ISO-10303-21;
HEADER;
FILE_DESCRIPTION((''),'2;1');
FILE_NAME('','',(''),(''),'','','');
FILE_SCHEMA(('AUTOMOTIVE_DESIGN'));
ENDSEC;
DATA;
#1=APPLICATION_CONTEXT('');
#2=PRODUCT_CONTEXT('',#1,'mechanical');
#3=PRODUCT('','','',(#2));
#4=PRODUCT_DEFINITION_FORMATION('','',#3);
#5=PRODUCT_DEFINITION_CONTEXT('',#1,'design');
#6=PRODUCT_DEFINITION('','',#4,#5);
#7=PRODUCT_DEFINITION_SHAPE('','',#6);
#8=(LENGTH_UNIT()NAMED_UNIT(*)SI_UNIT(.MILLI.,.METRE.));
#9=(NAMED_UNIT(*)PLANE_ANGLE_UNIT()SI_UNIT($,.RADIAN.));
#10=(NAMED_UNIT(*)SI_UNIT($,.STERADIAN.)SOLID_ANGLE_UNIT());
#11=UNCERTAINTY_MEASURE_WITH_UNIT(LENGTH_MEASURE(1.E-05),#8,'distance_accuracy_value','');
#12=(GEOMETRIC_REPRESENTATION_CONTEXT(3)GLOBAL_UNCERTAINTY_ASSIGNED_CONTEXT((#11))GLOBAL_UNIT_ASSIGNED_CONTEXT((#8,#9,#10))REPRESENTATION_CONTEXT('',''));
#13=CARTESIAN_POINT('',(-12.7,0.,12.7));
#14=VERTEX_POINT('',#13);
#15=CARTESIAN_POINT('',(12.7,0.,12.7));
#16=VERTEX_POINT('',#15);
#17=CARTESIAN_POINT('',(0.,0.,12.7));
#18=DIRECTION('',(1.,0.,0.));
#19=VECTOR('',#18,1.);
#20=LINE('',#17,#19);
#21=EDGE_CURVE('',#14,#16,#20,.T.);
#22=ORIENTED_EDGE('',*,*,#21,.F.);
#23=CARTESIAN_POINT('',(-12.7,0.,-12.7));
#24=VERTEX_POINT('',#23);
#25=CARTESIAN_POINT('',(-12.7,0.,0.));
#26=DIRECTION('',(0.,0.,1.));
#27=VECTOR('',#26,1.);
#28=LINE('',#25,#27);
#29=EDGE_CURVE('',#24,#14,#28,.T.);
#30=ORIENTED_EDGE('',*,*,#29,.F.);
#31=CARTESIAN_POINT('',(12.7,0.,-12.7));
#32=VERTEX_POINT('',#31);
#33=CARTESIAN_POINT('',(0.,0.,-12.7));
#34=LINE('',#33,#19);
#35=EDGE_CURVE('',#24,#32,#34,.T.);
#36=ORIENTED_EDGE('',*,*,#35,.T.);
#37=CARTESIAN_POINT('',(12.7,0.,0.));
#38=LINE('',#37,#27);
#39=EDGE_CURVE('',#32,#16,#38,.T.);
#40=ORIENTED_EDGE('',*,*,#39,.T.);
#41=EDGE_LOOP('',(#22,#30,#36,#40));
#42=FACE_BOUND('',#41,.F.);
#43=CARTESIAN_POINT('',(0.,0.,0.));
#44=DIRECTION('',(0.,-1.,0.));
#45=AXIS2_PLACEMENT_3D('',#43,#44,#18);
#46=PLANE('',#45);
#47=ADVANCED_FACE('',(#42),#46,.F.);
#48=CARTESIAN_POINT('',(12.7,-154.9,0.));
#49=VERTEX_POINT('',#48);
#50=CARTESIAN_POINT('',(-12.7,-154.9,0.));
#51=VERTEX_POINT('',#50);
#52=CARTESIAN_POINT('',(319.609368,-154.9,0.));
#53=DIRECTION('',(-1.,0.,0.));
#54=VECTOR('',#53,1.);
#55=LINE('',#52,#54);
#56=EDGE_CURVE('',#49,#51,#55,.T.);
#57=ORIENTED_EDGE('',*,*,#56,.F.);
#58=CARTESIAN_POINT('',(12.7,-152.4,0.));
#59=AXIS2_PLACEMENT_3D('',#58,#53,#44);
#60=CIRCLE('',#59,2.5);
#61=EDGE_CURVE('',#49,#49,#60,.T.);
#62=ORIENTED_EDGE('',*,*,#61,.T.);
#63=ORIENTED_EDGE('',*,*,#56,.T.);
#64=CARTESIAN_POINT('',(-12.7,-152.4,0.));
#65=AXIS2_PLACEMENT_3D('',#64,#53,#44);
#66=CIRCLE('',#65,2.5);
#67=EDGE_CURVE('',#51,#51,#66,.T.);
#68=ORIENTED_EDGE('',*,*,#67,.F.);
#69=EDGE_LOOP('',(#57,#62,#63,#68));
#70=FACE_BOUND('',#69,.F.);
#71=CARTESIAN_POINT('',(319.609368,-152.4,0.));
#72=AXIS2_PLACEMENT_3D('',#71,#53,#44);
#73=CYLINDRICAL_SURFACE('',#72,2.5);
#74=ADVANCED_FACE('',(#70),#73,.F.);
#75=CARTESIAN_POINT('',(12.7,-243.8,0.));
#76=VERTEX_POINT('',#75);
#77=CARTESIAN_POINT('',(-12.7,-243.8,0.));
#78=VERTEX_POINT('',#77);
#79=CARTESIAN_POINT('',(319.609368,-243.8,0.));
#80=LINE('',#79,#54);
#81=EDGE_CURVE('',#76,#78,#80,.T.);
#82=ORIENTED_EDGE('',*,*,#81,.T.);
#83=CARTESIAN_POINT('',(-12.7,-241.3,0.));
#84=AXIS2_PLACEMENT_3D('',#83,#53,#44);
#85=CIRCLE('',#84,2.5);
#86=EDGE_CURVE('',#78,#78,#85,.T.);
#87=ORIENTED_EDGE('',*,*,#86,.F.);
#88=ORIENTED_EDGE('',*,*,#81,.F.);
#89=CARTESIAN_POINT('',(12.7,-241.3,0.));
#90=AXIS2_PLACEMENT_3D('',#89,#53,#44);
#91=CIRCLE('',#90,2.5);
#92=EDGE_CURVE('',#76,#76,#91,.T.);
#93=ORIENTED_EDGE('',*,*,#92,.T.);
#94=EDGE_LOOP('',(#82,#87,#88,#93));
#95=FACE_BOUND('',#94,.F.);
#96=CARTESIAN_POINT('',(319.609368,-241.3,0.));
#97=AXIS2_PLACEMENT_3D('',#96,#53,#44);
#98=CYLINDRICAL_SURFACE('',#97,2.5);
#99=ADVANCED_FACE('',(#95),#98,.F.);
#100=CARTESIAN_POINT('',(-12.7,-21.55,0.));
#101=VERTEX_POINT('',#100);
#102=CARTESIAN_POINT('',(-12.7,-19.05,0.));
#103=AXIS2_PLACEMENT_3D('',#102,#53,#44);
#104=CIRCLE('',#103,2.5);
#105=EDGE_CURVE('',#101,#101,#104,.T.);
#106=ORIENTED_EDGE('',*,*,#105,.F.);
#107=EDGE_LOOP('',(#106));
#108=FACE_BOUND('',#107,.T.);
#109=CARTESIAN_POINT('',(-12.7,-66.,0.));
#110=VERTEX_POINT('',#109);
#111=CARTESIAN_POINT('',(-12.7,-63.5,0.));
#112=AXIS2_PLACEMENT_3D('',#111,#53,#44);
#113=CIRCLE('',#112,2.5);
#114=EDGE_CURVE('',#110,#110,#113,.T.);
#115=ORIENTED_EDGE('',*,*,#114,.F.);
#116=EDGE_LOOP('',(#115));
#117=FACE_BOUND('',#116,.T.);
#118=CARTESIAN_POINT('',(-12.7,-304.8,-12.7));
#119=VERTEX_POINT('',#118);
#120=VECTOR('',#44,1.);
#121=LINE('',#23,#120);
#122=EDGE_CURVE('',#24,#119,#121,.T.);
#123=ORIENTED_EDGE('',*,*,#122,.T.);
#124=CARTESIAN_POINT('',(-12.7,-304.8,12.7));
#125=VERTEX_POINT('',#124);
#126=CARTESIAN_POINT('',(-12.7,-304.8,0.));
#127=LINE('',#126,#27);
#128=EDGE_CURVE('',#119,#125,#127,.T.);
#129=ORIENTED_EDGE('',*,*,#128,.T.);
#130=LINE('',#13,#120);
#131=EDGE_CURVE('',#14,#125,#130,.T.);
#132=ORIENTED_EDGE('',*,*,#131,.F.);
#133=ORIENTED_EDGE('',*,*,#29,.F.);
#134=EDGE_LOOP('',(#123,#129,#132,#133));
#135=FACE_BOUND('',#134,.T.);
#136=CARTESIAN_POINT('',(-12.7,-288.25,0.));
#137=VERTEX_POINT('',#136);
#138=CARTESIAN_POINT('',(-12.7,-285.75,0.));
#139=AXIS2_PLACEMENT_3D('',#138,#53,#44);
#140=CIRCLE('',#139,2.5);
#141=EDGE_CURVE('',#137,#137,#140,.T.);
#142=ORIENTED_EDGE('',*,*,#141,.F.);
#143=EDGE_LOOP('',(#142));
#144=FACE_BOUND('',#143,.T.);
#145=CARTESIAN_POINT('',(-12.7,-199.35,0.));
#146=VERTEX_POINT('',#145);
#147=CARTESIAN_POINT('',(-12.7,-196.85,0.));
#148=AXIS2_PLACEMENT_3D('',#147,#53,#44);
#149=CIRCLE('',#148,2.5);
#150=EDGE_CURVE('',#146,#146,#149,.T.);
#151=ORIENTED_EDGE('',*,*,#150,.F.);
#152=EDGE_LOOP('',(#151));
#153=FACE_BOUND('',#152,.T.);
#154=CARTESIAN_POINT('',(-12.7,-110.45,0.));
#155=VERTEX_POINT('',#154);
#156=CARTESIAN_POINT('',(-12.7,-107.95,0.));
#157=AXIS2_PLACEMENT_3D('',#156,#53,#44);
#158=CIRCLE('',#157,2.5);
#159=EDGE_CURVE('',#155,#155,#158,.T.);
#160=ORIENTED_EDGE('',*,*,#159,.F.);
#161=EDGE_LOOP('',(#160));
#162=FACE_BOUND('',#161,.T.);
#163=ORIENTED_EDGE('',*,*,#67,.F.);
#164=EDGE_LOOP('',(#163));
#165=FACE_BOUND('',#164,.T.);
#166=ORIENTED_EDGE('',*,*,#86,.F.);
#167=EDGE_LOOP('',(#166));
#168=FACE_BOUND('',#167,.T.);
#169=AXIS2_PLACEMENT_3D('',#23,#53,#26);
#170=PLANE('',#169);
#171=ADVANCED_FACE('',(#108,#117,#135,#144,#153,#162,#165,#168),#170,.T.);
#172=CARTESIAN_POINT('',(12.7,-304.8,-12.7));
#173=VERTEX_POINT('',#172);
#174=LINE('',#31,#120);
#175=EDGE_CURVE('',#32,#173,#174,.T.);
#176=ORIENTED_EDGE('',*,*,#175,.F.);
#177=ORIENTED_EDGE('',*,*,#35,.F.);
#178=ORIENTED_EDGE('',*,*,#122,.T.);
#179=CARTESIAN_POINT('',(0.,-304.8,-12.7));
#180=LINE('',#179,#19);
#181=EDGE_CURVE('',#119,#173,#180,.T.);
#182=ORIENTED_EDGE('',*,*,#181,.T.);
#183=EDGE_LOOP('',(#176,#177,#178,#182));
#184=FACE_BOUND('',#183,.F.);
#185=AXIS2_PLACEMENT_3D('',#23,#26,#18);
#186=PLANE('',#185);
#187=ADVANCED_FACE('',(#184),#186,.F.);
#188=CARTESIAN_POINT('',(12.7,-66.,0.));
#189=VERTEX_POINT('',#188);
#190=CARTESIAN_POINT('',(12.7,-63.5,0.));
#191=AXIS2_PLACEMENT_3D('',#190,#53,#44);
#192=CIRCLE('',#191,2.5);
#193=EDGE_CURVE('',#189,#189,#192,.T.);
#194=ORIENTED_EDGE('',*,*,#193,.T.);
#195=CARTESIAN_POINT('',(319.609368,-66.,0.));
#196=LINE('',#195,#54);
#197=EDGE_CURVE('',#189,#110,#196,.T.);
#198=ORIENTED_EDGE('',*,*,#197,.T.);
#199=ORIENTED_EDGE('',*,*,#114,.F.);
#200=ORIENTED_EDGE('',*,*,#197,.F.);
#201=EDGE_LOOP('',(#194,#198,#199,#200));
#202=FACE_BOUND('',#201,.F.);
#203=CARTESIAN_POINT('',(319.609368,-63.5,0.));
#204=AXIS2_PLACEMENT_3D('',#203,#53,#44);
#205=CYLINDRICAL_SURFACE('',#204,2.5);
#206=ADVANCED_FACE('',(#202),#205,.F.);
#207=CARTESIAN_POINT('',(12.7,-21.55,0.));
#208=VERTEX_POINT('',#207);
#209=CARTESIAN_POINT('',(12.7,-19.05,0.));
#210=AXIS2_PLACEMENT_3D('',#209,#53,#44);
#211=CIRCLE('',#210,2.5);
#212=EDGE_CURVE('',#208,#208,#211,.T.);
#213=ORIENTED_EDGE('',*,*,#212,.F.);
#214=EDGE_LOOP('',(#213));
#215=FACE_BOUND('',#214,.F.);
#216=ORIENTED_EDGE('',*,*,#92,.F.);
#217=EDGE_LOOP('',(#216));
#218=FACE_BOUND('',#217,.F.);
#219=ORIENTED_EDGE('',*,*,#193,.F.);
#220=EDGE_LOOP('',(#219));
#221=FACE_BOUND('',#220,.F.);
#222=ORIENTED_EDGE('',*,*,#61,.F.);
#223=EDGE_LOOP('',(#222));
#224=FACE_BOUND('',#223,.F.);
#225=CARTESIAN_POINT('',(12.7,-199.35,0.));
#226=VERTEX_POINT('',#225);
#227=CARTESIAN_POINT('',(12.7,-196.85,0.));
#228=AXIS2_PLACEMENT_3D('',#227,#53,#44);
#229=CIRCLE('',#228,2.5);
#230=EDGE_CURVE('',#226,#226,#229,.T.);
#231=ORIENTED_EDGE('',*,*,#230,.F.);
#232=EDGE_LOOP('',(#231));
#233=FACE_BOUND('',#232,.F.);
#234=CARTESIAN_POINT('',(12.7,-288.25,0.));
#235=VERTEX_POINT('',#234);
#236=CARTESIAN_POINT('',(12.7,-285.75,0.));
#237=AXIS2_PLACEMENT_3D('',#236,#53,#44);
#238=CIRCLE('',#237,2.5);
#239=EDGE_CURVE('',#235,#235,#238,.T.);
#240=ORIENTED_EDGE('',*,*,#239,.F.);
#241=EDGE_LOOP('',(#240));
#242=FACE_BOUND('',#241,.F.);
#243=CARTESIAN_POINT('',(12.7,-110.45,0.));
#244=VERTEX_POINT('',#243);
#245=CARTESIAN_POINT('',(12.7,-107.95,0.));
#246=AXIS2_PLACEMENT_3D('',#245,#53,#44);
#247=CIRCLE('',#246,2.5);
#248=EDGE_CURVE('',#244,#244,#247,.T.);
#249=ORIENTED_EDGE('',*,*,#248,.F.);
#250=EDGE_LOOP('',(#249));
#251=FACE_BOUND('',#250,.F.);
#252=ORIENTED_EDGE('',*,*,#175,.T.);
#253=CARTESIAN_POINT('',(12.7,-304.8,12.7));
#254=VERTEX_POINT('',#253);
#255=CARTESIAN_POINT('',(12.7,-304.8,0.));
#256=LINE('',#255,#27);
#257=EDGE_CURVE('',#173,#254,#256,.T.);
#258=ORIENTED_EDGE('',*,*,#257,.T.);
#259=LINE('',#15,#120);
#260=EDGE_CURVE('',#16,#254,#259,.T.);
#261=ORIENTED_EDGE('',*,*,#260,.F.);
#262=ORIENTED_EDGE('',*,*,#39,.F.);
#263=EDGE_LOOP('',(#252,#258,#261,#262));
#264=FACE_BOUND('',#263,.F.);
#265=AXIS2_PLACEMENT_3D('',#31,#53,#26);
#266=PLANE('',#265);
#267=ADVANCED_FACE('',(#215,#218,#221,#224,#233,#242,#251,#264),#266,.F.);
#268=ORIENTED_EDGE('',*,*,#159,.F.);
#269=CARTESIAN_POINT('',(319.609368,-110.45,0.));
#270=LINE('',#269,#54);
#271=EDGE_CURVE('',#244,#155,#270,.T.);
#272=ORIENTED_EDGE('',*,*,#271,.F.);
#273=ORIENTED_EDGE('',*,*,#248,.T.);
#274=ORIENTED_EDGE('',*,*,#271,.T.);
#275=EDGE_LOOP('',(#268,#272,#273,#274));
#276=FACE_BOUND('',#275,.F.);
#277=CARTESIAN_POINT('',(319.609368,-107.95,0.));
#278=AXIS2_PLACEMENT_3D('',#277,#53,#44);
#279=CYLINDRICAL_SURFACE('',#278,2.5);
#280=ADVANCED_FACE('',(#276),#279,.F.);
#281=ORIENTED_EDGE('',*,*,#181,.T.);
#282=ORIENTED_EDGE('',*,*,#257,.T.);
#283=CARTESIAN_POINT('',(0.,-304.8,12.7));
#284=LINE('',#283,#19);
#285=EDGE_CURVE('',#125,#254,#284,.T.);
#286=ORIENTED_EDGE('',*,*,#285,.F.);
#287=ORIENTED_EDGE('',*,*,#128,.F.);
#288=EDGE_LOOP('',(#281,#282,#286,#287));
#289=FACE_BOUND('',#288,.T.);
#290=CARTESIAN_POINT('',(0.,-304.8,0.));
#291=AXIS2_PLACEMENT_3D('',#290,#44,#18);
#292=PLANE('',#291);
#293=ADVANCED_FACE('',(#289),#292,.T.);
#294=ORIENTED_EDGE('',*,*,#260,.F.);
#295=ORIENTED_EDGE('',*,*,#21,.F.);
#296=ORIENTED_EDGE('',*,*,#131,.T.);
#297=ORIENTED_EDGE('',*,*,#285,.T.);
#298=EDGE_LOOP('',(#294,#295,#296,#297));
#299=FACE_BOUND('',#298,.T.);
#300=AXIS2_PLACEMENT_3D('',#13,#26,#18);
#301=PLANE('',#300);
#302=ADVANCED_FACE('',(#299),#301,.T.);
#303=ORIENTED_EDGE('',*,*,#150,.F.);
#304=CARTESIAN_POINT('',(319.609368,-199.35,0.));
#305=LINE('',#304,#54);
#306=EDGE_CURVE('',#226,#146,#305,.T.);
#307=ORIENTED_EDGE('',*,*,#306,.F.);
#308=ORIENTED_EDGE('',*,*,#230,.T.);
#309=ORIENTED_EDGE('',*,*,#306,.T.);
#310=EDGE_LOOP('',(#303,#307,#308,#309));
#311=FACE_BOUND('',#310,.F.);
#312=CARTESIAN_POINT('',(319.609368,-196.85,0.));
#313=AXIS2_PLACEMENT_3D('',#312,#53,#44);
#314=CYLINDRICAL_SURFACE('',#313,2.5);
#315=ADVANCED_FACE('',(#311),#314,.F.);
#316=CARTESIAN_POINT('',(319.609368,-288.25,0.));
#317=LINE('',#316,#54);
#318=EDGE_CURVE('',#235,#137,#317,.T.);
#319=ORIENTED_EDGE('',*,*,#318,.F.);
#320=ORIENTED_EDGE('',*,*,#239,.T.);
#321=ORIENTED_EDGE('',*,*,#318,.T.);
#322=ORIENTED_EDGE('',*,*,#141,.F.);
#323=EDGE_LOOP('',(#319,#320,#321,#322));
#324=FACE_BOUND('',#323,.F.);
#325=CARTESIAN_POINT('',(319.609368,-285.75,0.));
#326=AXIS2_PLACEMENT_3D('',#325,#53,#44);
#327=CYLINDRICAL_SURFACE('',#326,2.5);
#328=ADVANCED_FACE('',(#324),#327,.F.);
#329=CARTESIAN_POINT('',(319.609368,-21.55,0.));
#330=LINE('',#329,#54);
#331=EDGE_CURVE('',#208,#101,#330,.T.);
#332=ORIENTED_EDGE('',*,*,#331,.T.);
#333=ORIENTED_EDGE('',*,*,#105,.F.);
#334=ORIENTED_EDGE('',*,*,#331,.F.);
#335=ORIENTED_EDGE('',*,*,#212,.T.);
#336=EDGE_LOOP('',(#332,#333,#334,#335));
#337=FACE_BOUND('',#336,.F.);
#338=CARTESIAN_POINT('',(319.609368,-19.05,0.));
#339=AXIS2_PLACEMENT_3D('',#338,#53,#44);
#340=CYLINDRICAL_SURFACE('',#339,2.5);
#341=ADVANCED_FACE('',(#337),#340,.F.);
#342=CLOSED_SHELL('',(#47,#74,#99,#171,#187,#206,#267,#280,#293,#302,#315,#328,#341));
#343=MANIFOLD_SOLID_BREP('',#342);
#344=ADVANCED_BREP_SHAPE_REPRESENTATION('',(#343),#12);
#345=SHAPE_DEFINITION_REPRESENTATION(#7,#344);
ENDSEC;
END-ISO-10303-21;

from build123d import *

# Parameters (mm, degrees)
F0_W     = 25.4
F0_H     = 25.4
F1_DEPTH = 304.8
F3_D     = 5


with BuildPart() as f1:
    # F0 (on Front) → F1 (new body)
    with BuildSketch(Plane.XZ):
        Rectangle(F0_W, F0_H)
    extrude(amount=F1_DEPTH)

    # F3 (through all)
    with Locations(Plane.YZ.offset(12.7)):
        with Locations((-285.75, 0), (-241.3, 0), (-196.85, 0), (-152.4, 0), (-107.95, 0), (-63.5, 0), (-19.05, 0)):
            Hole(F3_D / 2)


solid = f1.part
